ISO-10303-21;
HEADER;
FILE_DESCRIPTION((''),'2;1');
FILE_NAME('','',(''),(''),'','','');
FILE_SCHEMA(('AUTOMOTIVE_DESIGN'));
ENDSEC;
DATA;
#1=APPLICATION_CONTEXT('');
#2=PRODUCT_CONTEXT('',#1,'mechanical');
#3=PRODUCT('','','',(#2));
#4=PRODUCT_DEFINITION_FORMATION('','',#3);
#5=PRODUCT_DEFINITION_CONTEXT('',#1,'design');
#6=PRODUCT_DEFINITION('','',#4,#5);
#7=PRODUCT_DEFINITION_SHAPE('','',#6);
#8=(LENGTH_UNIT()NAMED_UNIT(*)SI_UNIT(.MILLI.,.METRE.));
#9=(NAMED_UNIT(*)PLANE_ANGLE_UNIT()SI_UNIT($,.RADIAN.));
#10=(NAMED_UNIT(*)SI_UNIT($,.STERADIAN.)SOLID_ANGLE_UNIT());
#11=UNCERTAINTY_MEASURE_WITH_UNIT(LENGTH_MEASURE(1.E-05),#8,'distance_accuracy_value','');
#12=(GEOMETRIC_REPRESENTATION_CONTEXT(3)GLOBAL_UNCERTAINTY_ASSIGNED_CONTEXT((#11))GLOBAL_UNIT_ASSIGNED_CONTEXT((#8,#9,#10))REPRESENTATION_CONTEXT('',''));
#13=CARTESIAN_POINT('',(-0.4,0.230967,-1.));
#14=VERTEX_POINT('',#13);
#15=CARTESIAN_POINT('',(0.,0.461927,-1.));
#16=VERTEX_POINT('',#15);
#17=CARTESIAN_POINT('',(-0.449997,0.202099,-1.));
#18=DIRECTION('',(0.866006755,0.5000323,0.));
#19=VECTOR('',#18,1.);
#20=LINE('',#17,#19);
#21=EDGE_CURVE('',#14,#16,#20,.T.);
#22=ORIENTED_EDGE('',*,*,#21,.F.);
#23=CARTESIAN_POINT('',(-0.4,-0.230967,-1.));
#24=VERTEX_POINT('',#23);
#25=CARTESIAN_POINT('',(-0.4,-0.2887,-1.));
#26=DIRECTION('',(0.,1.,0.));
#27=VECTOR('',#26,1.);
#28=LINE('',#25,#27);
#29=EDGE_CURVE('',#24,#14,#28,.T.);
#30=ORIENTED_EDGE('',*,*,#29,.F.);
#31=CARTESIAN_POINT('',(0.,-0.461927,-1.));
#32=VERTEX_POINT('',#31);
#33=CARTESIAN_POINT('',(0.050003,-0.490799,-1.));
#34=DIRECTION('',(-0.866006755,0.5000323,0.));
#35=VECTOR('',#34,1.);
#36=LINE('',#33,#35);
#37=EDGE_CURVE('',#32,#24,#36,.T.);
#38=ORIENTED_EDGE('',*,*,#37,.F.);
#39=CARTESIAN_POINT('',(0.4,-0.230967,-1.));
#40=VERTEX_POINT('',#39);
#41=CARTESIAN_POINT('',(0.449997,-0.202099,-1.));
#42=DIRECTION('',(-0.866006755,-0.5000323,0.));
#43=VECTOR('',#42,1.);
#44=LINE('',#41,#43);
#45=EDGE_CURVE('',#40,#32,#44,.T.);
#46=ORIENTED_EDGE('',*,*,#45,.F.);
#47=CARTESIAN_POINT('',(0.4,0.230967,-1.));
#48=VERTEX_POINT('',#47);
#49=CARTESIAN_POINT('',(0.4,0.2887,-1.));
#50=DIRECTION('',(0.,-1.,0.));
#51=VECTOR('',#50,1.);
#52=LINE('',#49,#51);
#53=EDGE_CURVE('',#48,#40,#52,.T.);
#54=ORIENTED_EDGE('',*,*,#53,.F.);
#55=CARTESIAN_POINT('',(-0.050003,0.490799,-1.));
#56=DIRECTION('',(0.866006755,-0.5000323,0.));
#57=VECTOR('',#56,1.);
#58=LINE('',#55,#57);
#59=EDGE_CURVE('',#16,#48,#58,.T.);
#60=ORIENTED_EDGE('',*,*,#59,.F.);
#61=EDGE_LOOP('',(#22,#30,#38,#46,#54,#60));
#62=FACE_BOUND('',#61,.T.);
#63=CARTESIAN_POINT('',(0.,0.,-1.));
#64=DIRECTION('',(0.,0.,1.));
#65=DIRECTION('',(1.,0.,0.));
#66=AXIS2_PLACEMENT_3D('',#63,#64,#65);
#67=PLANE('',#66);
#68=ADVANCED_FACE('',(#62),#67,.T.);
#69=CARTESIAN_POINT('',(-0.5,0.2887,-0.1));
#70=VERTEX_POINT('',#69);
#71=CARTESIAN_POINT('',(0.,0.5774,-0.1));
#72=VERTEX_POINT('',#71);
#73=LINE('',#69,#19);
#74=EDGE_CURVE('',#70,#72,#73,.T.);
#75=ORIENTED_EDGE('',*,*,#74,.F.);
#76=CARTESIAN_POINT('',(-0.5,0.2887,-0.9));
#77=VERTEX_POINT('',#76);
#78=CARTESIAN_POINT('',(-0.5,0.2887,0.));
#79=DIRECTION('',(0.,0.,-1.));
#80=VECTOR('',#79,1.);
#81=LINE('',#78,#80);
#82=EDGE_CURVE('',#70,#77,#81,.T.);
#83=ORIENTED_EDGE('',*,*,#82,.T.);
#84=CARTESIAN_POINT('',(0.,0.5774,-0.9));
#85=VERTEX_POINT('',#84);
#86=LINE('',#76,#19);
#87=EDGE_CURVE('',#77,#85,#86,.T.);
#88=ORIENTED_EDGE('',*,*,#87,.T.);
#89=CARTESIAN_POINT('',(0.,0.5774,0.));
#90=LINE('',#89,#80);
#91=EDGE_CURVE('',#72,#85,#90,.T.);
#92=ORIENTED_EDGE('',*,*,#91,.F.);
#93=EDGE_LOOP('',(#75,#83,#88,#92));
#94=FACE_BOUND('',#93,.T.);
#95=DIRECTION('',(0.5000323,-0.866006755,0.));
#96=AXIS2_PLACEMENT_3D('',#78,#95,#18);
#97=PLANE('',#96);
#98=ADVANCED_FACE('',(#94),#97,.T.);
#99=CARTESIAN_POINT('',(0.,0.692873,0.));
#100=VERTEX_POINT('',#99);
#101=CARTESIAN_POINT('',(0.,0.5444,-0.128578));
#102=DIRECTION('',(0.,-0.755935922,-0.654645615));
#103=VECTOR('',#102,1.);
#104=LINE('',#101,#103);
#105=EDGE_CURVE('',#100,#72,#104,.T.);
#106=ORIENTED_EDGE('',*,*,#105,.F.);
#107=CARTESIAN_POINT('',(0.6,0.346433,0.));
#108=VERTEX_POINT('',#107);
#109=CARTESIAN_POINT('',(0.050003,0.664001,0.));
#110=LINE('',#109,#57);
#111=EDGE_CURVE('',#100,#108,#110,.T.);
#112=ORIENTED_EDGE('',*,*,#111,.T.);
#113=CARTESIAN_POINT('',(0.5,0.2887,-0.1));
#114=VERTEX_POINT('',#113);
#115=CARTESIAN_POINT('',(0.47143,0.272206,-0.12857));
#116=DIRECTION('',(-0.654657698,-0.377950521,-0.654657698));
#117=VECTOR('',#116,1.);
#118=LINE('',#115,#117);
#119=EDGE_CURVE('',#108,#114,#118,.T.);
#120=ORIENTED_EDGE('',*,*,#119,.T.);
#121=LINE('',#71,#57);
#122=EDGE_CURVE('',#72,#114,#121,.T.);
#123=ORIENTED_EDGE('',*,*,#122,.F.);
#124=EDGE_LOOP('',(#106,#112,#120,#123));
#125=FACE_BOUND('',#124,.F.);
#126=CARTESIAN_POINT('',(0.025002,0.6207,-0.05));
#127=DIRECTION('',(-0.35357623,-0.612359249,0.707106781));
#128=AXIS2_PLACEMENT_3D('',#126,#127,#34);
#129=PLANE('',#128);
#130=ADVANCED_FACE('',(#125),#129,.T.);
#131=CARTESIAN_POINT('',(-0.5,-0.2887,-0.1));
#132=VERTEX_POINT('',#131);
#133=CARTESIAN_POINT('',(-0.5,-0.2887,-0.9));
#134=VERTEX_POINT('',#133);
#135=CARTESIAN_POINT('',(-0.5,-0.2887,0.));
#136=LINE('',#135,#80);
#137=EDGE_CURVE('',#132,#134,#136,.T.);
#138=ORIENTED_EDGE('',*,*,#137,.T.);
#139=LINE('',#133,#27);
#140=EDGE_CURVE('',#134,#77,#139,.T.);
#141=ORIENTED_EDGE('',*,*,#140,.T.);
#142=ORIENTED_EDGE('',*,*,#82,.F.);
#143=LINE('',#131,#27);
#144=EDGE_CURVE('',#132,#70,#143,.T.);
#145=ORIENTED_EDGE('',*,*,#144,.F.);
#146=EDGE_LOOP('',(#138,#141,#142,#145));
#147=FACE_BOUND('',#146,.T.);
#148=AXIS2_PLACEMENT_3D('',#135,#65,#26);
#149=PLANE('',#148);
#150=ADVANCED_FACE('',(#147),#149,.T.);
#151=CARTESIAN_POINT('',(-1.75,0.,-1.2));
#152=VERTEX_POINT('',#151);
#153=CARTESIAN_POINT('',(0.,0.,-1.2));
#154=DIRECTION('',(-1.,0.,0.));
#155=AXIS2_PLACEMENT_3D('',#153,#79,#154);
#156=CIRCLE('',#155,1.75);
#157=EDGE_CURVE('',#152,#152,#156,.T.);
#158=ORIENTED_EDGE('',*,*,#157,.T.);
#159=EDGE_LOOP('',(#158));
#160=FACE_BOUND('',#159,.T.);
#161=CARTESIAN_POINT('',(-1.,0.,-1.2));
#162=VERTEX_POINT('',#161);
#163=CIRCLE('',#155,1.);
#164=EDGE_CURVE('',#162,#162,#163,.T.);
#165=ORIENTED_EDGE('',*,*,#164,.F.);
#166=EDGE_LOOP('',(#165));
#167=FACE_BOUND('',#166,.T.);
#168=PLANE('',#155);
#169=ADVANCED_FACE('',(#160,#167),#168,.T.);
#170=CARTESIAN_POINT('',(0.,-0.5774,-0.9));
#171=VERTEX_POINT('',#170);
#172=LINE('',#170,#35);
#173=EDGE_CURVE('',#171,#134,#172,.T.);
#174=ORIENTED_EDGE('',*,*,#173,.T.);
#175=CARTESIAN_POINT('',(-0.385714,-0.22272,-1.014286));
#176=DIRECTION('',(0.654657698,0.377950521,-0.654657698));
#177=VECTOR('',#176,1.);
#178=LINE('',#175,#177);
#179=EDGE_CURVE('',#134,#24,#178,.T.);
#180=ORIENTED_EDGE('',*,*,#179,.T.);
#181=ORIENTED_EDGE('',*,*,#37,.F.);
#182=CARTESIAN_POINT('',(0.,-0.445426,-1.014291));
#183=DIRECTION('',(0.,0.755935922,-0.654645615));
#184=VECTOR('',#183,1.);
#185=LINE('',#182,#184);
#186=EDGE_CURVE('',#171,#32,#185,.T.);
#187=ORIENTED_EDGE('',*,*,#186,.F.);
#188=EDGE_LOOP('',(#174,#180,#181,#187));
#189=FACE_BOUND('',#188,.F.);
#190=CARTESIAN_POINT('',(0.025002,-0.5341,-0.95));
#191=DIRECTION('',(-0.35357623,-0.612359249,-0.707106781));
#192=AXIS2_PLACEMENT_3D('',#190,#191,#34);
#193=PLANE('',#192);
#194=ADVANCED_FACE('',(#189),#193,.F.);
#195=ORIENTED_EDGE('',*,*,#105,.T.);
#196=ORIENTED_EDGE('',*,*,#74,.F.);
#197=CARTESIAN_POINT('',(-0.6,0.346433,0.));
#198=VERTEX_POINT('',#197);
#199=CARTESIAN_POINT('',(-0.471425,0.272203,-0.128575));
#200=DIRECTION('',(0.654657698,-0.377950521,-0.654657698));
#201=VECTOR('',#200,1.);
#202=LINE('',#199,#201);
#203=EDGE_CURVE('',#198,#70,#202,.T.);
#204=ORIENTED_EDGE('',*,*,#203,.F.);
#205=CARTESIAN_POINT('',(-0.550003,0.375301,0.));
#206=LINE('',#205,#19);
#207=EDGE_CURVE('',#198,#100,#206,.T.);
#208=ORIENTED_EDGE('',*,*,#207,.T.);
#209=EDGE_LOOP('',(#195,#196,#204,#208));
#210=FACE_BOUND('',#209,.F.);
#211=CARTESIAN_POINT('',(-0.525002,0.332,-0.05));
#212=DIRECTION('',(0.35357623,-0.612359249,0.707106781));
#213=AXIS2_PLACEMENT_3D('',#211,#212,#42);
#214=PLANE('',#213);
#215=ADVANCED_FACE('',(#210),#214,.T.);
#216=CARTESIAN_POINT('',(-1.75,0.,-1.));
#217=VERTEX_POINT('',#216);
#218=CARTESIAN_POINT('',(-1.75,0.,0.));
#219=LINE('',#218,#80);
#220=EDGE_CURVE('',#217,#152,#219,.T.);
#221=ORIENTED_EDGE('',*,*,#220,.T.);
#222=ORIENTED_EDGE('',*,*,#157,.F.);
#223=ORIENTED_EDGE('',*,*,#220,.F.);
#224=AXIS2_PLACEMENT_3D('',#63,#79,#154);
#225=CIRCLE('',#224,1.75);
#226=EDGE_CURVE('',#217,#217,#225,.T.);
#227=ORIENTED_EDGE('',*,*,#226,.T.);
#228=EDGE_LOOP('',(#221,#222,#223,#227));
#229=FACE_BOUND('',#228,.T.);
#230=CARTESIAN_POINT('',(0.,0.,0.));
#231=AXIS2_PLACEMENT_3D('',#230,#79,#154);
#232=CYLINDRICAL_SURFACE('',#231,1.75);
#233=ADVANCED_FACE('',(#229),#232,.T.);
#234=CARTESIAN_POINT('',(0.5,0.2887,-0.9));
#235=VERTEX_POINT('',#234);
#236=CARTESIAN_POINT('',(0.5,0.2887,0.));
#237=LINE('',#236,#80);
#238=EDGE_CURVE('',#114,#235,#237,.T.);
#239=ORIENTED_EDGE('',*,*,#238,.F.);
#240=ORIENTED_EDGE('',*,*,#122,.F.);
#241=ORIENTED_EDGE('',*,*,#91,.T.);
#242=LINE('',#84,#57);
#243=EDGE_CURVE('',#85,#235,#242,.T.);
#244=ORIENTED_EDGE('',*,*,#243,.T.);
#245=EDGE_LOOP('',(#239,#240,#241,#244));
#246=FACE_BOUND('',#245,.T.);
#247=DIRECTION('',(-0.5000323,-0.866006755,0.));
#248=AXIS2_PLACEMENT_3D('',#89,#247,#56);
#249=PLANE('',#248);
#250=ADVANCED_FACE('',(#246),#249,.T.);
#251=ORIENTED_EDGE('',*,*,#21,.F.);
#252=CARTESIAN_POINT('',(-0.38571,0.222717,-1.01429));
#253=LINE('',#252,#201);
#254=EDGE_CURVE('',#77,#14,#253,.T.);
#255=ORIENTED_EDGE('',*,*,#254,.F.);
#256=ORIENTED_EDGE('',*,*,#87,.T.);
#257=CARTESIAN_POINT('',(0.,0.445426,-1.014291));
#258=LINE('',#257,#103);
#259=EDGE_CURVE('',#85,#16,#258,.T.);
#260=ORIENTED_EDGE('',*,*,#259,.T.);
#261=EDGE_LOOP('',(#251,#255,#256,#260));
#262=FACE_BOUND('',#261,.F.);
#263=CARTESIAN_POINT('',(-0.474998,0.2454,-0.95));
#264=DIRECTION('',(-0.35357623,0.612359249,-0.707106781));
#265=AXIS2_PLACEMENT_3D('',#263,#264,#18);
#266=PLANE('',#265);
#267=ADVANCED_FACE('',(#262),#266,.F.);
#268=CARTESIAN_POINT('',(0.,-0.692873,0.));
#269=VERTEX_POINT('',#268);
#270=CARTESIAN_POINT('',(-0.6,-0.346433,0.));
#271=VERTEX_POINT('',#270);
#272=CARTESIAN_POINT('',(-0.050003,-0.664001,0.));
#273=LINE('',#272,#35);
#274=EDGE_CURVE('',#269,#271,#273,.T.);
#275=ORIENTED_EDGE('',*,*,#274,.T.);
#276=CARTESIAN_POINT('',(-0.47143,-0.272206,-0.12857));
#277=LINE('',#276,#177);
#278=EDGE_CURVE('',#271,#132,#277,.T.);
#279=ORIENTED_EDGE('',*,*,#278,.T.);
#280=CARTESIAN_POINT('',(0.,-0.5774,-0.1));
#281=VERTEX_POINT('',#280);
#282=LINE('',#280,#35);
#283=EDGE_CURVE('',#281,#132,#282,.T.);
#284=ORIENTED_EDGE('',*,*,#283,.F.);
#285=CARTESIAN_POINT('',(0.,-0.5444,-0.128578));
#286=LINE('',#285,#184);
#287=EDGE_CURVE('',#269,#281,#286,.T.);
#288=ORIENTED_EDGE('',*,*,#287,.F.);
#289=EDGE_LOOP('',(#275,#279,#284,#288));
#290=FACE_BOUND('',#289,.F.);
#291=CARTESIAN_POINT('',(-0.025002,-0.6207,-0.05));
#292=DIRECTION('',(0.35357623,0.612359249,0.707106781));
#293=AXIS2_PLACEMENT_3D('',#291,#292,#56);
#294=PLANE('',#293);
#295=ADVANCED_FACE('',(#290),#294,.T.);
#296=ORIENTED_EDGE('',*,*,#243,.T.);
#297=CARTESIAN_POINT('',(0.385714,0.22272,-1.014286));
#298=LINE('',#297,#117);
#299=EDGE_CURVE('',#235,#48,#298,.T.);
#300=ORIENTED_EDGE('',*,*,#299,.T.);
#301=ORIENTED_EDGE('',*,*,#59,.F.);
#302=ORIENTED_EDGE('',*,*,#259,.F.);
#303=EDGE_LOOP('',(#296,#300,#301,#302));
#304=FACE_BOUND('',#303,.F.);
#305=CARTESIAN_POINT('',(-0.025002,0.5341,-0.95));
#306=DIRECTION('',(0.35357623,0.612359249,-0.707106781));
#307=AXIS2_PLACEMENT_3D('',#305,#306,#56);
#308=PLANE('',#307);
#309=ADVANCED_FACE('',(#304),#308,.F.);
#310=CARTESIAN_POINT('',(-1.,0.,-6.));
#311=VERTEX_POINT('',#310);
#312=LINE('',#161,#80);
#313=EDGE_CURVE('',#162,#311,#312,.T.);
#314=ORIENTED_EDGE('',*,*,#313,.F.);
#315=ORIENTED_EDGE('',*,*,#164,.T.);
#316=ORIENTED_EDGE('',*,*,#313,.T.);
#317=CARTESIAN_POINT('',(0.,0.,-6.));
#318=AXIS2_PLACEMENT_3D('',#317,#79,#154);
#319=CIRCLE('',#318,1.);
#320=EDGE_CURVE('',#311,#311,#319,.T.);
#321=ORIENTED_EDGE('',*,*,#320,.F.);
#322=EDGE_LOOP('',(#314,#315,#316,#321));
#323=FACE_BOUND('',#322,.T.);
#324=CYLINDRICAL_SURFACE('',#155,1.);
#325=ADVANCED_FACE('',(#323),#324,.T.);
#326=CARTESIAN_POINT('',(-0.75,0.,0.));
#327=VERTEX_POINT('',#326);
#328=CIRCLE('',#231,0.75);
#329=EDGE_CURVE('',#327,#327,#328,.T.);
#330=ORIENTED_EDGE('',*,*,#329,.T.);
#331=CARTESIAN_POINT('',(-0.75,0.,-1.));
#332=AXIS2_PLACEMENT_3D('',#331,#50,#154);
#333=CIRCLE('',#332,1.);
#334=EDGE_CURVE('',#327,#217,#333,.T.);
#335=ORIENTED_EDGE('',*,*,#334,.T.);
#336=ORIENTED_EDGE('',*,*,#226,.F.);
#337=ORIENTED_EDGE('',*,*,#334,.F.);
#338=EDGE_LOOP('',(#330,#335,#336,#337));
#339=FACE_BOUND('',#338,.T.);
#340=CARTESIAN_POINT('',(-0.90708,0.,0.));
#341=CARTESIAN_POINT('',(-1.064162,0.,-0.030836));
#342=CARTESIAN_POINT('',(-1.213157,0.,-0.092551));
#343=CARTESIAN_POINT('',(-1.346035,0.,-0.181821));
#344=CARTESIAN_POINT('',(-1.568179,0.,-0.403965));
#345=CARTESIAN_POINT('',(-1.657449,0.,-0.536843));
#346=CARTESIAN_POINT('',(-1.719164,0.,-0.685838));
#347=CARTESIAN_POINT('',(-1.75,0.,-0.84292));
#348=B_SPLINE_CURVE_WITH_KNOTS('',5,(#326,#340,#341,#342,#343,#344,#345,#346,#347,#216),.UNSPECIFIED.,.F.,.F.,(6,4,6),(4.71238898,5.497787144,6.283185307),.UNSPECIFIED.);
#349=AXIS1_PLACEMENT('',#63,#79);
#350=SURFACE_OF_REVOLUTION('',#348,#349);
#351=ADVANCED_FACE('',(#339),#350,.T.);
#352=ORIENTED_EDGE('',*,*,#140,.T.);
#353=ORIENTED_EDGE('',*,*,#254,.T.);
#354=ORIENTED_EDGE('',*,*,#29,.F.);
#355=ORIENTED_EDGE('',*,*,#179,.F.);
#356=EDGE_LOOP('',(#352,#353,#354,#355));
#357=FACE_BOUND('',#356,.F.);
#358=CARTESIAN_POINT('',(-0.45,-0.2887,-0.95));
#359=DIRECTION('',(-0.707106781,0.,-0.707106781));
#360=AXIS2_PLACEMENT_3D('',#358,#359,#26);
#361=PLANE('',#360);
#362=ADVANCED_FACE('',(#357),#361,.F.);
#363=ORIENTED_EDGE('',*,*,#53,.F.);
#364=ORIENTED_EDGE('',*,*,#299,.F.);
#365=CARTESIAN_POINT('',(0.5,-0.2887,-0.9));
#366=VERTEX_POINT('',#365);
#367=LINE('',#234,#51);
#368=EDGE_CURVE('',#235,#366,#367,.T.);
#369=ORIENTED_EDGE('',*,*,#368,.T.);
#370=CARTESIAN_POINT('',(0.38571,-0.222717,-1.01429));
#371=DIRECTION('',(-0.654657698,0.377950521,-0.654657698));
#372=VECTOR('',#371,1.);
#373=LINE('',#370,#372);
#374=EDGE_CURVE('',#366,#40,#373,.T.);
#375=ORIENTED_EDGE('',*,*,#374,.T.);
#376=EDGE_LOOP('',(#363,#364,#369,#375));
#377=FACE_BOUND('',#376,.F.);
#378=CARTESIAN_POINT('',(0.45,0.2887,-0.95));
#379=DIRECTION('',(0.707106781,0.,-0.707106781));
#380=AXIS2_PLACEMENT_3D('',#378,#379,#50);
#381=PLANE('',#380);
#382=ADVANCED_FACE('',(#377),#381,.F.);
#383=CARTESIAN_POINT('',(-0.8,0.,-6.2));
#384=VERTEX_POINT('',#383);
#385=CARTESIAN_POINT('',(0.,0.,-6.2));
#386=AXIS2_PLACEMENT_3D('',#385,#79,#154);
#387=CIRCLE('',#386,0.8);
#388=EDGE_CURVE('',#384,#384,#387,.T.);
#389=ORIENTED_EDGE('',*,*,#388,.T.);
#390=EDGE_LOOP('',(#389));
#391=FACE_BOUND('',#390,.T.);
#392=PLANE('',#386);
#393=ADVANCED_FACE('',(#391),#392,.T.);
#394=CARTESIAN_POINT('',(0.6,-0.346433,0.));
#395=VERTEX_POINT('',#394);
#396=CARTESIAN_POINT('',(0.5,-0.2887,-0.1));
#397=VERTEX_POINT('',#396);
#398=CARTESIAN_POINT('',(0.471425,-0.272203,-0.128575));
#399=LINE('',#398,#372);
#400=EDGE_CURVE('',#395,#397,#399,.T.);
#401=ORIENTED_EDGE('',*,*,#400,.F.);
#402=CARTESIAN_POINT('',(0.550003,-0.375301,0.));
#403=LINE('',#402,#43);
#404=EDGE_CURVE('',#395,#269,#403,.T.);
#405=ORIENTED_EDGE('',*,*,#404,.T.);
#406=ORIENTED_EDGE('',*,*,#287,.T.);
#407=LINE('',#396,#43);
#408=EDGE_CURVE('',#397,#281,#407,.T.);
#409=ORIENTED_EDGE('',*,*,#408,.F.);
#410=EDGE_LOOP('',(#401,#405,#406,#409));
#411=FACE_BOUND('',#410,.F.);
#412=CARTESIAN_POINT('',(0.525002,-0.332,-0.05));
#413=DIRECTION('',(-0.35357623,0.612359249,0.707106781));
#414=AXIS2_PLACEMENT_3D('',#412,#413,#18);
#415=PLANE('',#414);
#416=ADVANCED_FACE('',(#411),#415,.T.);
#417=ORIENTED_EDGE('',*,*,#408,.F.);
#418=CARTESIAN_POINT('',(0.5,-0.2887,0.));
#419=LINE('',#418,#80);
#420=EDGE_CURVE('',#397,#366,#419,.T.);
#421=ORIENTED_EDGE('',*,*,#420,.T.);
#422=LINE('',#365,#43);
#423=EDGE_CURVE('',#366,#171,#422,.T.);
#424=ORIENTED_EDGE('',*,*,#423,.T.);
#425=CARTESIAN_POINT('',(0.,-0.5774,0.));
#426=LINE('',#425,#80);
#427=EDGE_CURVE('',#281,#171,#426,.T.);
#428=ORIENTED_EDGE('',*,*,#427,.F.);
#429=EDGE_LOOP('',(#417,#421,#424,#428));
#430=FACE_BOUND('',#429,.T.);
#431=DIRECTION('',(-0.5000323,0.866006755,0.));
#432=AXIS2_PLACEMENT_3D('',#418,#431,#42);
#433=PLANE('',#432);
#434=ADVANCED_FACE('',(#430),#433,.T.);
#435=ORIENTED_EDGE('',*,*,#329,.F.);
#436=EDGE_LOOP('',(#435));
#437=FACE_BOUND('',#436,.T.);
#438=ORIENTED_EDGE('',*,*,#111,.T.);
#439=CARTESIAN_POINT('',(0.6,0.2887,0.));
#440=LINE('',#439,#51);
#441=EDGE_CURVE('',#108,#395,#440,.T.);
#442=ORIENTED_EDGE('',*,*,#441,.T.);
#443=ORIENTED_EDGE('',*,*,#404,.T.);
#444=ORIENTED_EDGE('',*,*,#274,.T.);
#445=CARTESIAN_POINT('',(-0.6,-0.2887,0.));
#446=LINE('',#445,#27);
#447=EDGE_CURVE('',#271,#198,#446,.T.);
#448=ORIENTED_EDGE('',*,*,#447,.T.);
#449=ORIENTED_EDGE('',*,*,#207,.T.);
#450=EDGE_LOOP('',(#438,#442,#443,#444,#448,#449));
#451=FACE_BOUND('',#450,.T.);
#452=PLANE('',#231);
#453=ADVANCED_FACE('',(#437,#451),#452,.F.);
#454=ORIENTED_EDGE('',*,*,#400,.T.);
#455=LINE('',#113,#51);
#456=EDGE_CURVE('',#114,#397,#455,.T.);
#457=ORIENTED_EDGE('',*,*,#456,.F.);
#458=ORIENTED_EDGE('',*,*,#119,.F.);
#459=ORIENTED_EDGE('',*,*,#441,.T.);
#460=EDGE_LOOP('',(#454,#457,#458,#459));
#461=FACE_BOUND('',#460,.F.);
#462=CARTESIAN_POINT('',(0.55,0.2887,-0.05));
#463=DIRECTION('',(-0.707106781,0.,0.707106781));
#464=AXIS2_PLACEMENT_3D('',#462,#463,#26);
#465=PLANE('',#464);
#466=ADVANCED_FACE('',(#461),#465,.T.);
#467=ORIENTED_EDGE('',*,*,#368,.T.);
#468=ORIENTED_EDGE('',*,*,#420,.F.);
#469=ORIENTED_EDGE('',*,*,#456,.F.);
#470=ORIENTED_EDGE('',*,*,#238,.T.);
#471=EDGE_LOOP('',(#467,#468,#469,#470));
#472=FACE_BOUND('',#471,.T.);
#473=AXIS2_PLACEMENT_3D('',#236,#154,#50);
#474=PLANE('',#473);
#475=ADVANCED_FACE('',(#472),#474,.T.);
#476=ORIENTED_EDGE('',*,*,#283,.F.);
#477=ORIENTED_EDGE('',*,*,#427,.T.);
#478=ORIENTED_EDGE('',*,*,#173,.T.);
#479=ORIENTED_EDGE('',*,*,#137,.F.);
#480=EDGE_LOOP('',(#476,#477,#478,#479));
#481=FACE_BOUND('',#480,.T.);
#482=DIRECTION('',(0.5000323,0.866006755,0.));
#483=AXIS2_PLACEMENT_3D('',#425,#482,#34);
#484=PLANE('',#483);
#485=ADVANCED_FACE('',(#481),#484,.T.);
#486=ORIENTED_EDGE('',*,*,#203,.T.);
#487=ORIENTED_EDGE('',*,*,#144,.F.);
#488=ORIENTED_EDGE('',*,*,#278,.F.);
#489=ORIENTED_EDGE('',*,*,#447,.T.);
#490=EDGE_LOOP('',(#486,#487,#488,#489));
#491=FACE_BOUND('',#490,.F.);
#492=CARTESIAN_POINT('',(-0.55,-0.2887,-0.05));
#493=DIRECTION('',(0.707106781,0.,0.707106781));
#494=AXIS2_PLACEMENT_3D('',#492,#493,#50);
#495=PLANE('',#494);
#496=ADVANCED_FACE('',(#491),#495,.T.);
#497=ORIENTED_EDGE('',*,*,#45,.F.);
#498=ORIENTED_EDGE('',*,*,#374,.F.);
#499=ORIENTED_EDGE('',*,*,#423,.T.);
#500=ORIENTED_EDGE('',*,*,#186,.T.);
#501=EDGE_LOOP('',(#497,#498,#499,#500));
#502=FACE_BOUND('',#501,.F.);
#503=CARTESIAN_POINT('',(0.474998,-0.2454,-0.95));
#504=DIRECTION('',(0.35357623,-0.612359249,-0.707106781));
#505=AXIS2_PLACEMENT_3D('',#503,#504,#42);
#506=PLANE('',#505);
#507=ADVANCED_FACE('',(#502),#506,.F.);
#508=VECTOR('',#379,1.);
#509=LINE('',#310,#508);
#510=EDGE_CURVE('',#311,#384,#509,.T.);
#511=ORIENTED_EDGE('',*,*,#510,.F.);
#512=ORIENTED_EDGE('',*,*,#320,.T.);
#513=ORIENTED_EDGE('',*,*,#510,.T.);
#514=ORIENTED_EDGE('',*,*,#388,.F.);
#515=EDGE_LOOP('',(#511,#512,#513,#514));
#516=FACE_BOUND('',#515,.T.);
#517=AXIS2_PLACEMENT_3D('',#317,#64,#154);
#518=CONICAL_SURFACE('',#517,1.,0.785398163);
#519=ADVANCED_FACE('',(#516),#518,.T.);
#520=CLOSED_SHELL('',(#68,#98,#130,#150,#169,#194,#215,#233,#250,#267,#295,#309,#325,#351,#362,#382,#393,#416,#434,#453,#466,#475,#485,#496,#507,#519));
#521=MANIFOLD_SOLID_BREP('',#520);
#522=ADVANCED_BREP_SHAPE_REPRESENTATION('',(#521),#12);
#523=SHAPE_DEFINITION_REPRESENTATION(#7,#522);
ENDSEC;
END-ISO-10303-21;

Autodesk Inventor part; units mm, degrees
ref_plane "YZ Plane" through (0, 0, 0) normal (1, 0, 0) x (0, 1, 0)
ref_plane "XZ Plane" through (0, 0, 0) normal (0, 1, 0) x (-1, 0, 0)
ref_plane "XY Plane" through (0, 0, 0) normal (0, 0, 1) x (1, 0, 0)
sketch "Sketch2" plane through (0, 0, 0) normal (0, 1, 0) x (-1, 0, 0)
  line L0 (0, 0) -> (1.75, 0)
  line L1 (1.75, 0) -> (1.75, -1.2)
  line L2 (1.75, -1.2) -> (1, -1.2)
  line L3 (1, -1.2) -> (1, -6.2)
  line L4 (1, -6.2) -> (0, -6.2)
  line L5 (0, 0) -> (0, -6.2)
  dimension "d9" = 1.75
  dimension "d10" = 1.2
  dimension "d12" = 5
  dimension "d19" = 2
revolve "Revolution1" add sketch "Sketch2" angle 360 about axis through (0, 0, 0) along (0, 0, -1)
fillet "Fillet1" radius 1 1 edges at (1.75, 0, 0)
chamfer "Chamfer1" distance 0.2 angle 45 1 edges at (1, 0, -6.2)
thread "Thread1" size "M2x0.4" class "6g" standard "ANSI Metric M Profile" full length
sketch "Sketch4" plane through (0, 0, 0) normal (0, 0, 1) x (1, 0, 0)
  line L0 (0, 0.5774) -> (0.5, 0.2887)
  line L1 (0.5, 0.2887) -> (0.5, -0.2887)
  line L2 (0.5, -0.2887) -> (0, -0.5774)
  line L3 (0, -0.5774) -> (-0.5, -0.2887)
  line L4 (-0.5, -0.2887) -> (-0.5, 0.2887)
  line L5 (-0.5, 0.2887) -> (0, 0.5774)
  point P0 (0, 0)
  point P1 (0, 0)
  dimension "d22" = 1
  dimension "d24" = 0.2887
extrude "Extrusion2" cut sketch "Sketch4" against normal blind 1
chamfer "Chamfer2" distance 0.1 angle 45 12 edges at (-0.5, 0, 0) (-0.25, 0.433, 0) (0.25, 0.433, 0) (0.5, 0, 0) (0.25, -0.433, 0) (-0.25, -0.433, 0) (-0.25, 0.433, -1) (-0.5, 0, -1) (-0.25, -0.433, -1) (0.25, -0.433, -1) (0.5, 0, -1) (0.25, 0.433, -1)
properties part number "rapoukHexagonScrewM2v0" material "Steel, Carbon"
